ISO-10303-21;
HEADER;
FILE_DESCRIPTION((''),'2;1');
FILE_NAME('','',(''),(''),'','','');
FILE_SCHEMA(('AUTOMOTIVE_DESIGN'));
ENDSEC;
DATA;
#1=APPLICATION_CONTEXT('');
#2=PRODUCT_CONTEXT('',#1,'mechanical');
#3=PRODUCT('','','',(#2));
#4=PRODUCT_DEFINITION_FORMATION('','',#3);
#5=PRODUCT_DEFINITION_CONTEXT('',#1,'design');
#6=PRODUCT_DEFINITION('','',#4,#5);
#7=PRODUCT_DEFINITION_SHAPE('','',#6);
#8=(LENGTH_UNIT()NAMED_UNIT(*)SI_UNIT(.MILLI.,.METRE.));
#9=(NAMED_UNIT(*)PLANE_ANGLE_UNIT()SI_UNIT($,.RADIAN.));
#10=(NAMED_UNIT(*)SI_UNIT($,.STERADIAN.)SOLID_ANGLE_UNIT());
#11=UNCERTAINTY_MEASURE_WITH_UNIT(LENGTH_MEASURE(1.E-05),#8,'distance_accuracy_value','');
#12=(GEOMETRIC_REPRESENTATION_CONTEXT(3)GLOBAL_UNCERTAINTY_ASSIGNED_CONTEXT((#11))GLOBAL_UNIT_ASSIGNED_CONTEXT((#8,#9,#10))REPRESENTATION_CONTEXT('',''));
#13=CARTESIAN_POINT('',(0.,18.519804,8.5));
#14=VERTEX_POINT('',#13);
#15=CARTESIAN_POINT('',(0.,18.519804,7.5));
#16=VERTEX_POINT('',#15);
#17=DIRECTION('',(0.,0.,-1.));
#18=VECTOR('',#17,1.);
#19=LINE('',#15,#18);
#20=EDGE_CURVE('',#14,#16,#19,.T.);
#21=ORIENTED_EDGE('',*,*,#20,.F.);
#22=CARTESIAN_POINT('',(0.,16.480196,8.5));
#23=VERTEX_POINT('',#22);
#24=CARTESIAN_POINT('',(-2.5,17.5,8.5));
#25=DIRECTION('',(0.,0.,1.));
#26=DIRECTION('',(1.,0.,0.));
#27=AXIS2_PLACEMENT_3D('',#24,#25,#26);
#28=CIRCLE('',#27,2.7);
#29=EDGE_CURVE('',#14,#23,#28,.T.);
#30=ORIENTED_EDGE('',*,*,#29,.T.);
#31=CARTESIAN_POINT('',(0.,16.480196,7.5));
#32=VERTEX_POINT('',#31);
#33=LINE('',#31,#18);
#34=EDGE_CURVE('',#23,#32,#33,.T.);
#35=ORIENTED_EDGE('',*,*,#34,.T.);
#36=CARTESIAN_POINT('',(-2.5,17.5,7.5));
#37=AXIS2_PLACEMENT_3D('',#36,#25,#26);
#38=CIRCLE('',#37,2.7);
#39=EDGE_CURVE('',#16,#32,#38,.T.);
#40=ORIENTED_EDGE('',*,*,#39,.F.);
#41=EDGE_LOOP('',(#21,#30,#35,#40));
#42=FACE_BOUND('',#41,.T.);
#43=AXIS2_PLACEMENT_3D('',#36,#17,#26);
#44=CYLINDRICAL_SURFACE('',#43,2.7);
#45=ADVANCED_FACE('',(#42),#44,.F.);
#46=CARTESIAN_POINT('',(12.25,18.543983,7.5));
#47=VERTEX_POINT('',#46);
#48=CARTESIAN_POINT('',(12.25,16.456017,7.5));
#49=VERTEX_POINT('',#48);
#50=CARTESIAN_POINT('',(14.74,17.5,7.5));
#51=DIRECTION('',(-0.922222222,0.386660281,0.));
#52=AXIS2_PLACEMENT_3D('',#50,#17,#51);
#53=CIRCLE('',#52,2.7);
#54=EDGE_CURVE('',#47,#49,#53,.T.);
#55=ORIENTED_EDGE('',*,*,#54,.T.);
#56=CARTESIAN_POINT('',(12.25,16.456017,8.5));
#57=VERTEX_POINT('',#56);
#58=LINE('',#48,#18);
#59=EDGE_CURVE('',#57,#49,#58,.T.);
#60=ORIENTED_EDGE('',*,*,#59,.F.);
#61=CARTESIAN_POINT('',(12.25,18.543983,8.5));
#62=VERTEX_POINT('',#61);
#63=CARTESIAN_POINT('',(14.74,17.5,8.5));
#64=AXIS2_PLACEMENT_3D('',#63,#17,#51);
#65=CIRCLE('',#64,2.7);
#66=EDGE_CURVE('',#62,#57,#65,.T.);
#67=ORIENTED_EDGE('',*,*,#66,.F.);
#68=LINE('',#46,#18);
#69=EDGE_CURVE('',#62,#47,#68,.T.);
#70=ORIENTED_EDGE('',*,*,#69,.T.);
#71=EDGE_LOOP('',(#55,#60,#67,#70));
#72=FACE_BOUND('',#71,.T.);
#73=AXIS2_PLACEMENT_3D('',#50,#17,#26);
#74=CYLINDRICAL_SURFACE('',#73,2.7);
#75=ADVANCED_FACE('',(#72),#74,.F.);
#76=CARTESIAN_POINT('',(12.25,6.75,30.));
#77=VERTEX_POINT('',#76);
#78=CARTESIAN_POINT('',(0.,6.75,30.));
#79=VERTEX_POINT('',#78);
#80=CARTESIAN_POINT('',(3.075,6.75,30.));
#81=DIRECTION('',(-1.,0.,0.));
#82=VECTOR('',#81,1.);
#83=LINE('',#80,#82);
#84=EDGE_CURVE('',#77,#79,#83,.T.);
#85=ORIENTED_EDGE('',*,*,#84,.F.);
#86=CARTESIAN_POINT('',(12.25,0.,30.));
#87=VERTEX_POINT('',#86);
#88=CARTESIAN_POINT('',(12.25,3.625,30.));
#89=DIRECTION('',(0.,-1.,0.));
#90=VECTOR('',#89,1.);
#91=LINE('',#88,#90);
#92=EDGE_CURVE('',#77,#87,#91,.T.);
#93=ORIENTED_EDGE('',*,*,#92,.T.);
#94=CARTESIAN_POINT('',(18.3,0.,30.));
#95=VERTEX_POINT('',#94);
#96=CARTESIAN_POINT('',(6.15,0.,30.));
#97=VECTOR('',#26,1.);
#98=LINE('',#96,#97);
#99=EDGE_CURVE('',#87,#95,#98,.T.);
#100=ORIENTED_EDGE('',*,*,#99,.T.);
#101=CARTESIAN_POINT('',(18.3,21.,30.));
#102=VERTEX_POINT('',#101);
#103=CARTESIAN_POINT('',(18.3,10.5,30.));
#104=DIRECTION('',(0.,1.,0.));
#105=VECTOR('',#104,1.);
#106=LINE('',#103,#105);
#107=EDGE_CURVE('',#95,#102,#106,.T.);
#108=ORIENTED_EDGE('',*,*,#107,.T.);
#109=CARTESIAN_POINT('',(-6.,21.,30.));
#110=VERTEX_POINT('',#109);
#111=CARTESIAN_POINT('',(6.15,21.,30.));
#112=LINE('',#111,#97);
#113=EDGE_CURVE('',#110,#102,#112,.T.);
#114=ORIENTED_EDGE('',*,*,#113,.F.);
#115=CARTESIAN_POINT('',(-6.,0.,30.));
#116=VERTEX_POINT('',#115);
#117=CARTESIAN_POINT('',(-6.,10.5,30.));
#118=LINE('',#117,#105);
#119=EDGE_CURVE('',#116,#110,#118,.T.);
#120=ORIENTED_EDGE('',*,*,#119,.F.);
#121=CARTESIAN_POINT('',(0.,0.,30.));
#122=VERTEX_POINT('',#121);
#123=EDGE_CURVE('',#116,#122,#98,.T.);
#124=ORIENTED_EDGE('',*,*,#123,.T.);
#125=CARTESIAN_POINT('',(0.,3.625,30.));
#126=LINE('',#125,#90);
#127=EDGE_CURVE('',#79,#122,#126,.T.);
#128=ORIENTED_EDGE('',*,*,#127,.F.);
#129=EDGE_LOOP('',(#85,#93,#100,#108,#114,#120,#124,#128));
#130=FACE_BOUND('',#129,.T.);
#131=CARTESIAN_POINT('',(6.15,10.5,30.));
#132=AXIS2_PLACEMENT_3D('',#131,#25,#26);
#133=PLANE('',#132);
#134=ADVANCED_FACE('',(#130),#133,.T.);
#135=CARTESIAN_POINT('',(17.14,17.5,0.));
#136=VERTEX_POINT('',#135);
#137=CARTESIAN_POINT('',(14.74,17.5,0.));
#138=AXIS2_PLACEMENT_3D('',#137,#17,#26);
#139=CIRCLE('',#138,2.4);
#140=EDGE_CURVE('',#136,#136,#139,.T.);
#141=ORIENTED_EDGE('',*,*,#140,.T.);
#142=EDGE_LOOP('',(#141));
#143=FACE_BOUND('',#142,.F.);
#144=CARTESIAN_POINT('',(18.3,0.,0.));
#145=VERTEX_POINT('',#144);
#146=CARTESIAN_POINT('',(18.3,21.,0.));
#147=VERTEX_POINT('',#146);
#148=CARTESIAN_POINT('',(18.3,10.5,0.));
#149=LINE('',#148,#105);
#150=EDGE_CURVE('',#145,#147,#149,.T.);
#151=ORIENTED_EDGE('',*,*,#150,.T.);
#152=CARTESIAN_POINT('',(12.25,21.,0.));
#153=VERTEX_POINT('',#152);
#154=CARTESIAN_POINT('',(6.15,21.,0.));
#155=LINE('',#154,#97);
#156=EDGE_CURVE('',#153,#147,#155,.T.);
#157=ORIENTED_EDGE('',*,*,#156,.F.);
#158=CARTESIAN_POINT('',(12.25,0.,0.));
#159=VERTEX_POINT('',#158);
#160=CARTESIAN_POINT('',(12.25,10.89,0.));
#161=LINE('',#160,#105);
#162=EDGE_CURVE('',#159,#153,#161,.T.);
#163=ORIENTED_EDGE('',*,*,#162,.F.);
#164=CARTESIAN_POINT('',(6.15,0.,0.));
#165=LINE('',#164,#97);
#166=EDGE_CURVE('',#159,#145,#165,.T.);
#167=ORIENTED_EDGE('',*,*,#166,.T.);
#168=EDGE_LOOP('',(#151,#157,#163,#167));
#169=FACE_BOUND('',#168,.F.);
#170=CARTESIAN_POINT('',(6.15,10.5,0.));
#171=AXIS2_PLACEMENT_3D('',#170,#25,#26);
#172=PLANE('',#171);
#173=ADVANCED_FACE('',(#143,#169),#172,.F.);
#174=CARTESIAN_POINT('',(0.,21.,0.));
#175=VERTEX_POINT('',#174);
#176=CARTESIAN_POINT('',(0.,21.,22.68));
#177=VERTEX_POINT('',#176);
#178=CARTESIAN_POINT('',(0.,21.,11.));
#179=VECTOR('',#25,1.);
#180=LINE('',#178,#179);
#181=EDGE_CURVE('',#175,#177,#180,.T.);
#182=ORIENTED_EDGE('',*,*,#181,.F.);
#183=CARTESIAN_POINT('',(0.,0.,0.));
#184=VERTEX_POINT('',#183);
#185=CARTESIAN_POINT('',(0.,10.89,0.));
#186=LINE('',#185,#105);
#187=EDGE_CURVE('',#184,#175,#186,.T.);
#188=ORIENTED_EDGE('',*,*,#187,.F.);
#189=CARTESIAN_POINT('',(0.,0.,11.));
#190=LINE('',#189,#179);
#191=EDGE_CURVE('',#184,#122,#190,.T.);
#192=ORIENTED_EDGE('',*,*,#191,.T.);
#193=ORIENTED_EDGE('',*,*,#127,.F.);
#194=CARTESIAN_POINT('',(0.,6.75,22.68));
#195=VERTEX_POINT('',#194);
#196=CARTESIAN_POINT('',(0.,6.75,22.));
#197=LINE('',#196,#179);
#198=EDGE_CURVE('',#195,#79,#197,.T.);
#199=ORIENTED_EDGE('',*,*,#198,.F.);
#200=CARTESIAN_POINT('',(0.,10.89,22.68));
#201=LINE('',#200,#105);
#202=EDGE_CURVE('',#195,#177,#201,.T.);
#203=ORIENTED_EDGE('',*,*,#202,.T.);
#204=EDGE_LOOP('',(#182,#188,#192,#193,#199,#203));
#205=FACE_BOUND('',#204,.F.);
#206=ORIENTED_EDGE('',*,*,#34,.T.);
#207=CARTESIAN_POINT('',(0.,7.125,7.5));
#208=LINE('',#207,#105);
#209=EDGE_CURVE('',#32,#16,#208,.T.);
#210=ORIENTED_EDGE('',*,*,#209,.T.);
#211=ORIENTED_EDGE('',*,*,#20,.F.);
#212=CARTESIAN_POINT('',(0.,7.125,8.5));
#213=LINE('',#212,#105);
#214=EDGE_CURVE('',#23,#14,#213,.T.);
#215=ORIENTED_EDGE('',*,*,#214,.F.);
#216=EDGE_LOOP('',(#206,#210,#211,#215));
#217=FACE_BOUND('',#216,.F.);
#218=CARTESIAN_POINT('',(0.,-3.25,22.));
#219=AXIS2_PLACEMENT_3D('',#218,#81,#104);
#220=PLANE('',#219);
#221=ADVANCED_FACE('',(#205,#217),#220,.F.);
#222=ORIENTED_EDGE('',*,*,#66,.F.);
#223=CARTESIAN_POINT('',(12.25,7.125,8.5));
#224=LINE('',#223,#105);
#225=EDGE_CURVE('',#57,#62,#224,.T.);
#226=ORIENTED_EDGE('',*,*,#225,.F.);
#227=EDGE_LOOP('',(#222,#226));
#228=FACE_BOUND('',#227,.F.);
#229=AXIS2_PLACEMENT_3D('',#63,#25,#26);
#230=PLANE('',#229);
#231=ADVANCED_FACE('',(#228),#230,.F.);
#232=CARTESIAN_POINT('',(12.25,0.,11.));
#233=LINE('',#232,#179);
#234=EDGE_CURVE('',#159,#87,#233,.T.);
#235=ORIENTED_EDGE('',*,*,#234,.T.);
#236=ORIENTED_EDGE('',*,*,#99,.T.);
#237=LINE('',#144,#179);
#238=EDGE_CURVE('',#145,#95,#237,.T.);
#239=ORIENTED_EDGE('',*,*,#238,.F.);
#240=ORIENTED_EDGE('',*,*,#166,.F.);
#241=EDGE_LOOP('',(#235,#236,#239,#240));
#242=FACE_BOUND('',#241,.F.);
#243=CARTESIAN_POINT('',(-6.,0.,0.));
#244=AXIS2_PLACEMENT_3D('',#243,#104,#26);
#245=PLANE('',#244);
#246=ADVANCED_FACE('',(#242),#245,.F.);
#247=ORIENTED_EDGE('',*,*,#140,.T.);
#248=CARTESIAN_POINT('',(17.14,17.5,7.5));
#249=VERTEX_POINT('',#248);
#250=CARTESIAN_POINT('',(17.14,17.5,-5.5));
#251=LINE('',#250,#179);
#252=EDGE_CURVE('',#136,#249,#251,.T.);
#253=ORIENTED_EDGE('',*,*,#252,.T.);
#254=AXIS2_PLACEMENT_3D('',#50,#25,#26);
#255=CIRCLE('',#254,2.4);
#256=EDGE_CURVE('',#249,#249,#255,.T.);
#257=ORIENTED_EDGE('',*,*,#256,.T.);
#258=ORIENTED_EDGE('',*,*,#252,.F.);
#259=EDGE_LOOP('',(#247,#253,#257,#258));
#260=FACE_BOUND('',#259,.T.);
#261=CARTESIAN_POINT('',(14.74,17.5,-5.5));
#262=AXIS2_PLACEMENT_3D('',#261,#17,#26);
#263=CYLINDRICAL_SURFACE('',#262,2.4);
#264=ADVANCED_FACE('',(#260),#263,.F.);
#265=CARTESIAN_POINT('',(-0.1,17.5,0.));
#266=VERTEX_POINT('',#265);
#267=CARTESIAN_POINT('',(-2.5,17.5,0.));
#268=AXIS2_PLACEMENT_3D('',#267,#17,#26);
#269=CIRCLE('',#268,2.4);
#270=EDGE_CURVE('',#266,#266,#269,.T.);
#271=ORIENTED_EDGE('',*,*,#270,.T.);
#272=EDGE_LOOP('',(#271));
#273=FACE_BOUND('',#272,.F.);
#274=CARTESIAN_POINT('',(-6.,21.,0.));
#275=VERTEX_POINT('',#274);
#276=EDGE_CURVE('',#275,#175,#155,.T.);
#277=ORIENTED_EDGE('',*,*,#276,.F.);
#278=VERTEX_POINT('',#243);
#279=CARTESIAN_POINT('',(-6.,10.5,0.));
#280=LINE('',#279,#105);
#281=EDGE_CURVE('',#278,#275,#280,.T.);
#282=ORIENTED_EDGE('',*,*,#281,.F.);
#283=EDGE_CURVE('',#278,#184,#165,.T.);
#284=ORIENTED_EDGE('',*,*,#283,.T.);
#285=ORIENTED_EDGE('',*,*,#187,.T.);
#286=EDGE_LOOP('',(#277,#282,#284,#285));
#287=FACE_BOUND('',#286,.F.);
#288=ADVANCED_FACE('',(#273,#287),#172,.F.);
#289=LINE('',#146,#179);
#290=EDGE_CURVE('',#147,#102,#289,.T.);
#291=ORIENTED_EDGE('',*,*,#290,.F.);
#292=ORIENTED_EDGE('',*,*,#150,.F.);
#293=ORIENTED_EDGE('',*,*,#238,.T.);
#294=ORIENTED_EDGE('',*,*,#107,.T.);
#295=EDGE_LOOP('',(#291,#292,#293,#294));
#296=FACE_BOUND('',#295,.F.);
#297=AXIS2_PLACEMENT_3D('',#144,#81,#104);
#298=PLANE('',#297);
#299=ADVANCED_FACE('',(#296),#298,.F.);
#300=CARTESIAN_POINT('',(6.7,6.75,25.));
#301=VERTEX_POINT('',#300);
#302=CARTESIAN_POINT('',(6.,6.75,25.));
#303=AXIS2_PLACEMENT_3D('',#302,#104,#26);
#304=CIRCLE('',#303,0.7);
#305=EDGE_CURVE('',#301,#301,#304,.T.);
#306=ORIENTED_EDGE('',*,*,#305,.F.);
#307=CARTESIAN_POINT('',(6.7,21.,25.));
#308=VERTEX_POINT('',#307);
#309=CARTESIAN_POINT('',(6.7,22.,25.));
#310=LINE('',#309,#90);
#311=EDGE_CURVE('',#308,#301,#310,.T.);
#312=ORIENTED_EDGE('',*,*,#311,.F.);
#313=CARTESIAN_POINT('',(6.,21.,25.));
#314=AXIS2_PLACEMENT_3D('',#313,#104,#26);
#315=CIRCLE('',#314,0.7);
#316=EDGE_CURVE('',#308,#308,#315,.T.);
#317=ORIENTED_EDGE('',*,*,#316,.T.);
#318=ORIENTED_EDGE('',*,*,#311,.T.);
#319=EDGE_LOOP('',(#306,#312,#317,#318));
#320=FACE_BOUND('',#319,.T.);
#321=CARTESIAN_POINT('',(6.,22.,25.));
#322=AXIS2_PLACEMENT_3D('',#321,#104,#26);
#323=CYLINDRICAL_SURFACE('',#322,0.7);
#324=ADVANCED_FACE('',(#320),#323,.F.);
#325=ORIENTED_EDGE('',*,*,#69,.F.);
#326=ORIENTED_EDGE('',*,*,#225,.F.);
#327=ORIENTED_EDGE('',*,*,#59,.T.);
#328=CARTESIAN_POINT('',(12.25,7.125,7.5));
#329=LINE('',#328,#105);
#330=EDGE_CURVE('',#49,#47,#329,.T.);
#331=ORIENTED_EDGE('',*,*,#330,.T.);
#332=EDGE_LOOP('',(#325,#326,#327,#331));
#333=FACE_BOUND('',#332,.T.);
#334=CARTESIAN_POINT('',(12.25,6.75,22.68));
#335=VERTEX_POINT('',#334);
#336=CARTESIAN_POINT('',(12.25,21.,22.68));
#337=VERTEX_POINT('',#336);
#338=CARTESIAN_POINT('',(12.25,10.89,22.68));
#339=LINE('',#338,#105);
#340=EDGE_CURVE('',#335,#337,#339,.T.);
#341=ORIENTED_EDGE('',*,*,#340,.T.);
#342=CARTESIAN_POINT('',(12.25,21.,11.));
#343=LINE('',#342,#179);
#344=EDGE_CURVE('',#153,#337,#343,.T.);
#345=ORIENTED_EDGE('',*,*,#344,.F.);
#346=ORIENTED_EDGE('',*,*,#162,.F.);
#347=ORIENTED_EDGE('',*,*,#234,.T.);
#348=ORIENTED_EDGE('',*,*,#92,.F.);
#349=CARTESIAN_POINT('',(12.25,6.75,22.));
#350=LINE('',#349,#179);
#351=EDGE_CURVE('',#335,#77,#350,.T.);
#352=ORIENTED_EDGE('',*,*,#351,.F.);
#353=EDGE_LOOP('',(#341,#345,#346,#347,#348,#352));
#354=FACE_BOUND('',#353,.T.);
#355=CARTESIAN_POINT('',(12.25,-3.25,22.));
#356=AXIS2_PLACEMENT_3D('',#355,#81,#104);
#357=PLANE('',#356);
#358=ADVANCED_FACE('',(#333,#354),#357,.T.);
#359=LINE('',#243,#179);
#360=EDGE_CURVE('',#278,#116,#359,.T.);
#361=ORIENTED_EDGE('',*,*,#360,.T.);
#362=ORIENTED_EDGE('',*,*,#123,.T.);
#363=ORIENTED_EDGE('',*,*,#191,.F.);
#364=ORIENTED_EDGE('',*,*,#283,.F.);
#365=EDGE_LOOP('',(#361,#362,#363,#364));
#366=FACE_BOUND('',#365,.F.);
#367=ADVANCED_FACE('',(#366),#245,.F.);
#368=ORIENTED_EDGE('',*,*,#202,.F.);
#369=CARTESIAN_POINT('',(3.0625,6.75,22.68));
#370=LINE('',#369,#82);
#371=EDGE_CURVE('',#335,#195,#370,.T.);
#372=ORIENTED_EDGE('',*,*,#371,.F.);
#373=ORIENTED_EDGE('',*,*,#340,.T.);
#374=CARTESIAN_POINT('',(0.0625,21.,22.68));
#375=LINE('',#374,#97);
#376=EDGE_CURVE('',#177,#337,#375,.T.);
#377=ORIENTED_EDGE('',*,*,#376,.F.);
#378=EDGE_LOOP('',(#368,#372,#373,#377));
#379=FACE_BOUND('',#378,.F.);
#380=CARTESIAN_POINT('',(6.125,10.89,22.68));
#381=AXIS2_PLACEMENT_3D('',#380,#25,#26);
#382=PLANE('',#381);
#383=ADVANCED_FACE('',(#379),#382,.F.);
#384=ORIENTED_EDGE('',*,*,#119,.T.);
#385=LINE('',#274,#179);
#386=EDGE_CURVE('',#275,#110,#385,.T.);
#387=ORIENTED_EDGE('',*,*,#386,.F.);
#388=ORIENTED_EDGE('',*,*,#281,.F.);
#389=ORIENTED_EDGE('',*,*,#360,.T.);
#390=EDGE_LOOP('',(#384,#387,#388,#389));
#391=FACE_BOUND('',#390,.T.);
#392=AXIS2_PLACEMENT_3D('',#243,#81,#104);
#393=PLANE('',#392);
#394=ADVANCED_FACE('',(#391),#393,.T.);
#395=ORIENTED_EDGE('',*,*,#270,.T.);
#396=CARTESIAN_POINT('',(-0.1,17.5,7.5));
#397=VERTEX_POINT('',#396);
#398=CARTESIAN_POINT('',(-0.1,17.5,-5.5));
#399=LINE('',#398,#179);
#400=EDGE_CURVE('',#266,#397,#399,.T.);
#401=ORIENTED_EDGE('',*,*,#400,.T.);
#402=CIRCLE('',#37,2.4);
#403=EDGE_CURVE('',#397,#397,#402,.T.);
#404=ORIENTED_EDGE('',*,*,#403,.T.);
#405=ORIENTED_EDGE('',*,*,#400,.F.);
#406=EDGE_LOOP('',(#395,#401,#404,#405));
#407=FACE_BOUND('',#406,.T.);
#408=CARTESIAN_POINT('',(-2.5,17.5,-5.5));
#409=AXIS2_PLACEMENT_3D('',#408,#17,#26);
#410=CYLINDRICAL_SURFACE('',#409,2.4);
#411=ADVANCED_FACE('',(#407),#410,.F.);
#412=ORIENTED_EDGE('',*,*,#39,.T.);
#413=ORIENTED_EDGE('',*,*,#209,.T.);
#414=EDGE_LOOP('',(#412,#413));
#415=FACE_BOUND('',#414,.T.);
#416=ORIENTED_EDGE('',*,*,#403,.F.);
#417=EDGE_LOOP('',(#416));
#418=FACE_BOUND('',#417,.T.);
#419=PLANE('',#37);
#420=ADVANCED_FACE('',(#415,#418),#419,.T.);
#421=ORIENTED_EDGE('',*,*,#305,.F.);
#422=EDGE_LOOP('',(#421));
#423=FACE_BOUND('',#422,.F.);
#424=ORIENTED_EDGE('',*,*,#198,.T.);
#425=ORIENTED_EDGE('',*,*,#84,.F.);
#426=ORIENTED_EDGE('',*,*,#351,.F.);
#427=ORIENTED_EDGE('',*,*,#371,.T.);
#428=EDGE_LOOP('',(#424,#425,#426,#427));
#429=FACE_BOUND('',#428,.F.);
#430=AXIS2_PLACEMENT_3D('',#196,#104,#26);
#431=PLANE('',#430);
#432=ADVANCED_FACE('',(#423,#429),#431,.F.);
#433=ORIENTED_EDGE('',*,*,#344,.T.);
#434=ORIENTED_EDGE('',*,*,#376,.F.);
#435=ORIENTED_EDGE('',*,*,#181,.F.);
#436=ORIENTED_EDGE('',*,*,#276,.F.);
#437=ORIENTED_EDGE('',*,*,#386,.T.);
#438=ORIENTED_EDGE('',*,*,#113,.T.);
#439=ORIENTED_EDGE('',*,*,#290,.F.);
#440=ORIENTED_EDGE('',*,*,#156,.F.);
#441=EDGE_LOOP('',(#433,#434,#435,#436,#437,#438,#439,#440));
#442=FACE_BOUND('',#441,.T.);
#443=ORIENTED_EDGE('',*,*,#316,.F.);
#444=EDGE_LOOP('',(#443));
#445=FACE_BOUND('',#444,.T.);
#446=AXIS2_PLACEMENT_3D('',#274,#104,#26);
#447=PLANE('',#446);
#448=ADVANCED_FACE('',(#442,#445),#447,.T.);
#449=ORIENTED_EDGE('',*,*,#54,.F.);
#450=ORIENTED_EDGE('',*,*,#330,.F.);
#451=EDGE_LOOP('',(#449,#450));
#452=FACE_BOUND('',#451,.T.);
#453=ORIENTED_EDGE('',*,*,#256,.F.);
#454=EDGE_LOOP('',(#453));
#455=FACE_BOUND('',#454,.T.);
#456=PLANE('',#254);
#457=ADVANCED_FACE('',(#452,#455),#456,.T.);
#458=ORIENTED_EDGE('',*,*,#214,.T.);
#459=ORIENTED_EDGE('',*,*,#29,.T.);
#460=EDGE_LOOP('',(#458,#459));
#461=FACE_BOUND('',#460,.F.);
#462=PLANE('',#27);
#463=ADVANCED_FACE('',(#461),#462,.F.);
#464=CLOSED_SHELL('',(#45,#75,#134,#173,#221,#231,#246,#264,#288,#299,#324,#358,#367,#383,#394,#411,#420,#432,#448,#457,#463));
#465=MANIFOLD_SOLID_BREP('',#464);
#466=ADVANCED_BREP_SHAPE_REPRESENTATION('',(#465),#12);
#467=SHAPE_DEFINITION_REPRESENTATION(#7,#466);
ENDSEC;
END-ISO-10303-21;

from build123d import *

# Parameters (mm, degrees)
CYLINDER004_R     = 2.4
CYLINDER004_DEPTH = 13
CYLINDER005_R     = 2.7
CYLINDER005_DEPTH = 1
CYLINDER006_R     = 2.7
CYLINDER006_DEPTH = 1
CYLINDER003_R     = 2.4
CYLINDER003_DEPTH = 13
CYLINDER002_R     = 0.7
CYLINDER002_DEPTH = 16
BOX007_W          = 12.25
BOX007_H          = 10
BOX007_DEPTH      = 10
BOX003_W          = 12.25
BOX003_H          = 23.78
BOX003_DEPTH      = 22.68
BOX008_W          = 24.3
BOX008_H          = 21
BOX008_DEPTH      = 30


with BuildPart() as cylinder004:
    # Cylinder004 → Cylinder004 (new body)
    with BuildSketch(Plane(origin=(14.74, 17.5, -6.5), x_dir=(1, 0, 0), z_dir=(0, 0, 1))):
        Circle(CYLINDER004_R)
    extrude(amount=CYLINDER004_DEPTH)


with BuildPart() as cylinder005:
    # Cylinder005 → Cylinder005 (new body)
    with BuildSketch(Plane(origin=(-2.5, 17.5, 6.5), x_dir=(1, 0, 0), z_dir=(0, 0, 1))):
        Circle(CYLINDER005_R)
    extrude(amount=CYLINDER005_DEPTH)


with BuildPart() as cylinder006:
    # Cylinder006 → Cylinder006 (new body)
    with BuildSketch(Plane(origin=(14.74, 17.5, 6.5), x_dir=(1, 0, 0), z_dir=(0, 0, 1))):
        Circle(CYLINDER006_R)
    extrude(amount=CYLINDER006_DEPTH)


with BuildPart() as fusion004:
    # Cylinder003 → Cylinder003 (new body)
    with BuildSketch(Plane(origin=(-2.5, 17.5, -6.5), x_dir=(1, 0, 0), z_dir=(0, 0, 1))):
        Circle(CYLINDER003_R)
    extrude(amount=CYLINDER003_DEPTH)

    # Fusion004: union Cylinder004, Cylinder005, Cylinder006
    add(cylinder004.part)
    add(cylinder005.part)
    add(cylinder006.part)


with BuildPart() as fusion004_1:
    # Fusion004 placement: moved
    add(fusion004.part.moved(Location((0, 0, 1))))


with BuildPart() as cylinder002:
    # Cylinder002 → Cylinder002 (new body)
    with BuildSketch(Plane(origin=(6, 22, 25), x_dir=(1, 0, 0), z_dir=(0, -1, 0))):
        Circle(CYLINDER002_R)
    extrude(amount=CYLINDER002_DEPTH)


with BuildPart() as cube004:
    # Box007 → Box007 (new body)
    with BuildSketch(Plane(origin=(0, -3.25, 22), x_dir=(1, 0, 0), z_dir=(0, 0, 1))):
        with Locations((6.125, 5)):
            Rectangle(BOX007_W, BOX007_H)
    extrude(amount=BOX007_DEPTH)


with BuildPart() as servo002:
    # Box003 → Box003 (new body)
    with BuildSketch(Plane(origin=(0, -1, 0), x_dir=(1, 0, 0), z_dir=(0, 0, 1))):
        with Locations((6.125, 11.89)):
            Rectangle(BOX003_W, BOX003_H)
    extrude(amount=BOX003_DEPTH)

    # Fusion002: union Cube004
    add(cube004.part)


with BuildPart() as fusion003:
    # Fusion003 base: copy of Cube004
    add(cube004.part)

    # Fusion003: union servo002
    add(servo002.part)


with BuildPart() as cut004:
    # Box008 → Box008 (new body)
    with BuildSketch(Plane(origin=(-6, 0, 0), x_dir=(1, 0, 0), z_dir=(0, 0, 1))):
        with Locations((12.15, 10.5)):
            Rectangle(BOX008_W, BOX008_H)
    extrude(amount=BOX008_DEPTH)

    # Cut002: cut Fusion003
    add(fusion003.part, mode=Mode.SUBTRACT)

    # Cut003: cut Cylinder002
    add(cylinder002.part, mode=Mode.SUBTRACT)

    # Cut004: cut Fusion004
    add(fusion004_1.part, mode=Mode.SUBTRACT)


solid = cut004.part
